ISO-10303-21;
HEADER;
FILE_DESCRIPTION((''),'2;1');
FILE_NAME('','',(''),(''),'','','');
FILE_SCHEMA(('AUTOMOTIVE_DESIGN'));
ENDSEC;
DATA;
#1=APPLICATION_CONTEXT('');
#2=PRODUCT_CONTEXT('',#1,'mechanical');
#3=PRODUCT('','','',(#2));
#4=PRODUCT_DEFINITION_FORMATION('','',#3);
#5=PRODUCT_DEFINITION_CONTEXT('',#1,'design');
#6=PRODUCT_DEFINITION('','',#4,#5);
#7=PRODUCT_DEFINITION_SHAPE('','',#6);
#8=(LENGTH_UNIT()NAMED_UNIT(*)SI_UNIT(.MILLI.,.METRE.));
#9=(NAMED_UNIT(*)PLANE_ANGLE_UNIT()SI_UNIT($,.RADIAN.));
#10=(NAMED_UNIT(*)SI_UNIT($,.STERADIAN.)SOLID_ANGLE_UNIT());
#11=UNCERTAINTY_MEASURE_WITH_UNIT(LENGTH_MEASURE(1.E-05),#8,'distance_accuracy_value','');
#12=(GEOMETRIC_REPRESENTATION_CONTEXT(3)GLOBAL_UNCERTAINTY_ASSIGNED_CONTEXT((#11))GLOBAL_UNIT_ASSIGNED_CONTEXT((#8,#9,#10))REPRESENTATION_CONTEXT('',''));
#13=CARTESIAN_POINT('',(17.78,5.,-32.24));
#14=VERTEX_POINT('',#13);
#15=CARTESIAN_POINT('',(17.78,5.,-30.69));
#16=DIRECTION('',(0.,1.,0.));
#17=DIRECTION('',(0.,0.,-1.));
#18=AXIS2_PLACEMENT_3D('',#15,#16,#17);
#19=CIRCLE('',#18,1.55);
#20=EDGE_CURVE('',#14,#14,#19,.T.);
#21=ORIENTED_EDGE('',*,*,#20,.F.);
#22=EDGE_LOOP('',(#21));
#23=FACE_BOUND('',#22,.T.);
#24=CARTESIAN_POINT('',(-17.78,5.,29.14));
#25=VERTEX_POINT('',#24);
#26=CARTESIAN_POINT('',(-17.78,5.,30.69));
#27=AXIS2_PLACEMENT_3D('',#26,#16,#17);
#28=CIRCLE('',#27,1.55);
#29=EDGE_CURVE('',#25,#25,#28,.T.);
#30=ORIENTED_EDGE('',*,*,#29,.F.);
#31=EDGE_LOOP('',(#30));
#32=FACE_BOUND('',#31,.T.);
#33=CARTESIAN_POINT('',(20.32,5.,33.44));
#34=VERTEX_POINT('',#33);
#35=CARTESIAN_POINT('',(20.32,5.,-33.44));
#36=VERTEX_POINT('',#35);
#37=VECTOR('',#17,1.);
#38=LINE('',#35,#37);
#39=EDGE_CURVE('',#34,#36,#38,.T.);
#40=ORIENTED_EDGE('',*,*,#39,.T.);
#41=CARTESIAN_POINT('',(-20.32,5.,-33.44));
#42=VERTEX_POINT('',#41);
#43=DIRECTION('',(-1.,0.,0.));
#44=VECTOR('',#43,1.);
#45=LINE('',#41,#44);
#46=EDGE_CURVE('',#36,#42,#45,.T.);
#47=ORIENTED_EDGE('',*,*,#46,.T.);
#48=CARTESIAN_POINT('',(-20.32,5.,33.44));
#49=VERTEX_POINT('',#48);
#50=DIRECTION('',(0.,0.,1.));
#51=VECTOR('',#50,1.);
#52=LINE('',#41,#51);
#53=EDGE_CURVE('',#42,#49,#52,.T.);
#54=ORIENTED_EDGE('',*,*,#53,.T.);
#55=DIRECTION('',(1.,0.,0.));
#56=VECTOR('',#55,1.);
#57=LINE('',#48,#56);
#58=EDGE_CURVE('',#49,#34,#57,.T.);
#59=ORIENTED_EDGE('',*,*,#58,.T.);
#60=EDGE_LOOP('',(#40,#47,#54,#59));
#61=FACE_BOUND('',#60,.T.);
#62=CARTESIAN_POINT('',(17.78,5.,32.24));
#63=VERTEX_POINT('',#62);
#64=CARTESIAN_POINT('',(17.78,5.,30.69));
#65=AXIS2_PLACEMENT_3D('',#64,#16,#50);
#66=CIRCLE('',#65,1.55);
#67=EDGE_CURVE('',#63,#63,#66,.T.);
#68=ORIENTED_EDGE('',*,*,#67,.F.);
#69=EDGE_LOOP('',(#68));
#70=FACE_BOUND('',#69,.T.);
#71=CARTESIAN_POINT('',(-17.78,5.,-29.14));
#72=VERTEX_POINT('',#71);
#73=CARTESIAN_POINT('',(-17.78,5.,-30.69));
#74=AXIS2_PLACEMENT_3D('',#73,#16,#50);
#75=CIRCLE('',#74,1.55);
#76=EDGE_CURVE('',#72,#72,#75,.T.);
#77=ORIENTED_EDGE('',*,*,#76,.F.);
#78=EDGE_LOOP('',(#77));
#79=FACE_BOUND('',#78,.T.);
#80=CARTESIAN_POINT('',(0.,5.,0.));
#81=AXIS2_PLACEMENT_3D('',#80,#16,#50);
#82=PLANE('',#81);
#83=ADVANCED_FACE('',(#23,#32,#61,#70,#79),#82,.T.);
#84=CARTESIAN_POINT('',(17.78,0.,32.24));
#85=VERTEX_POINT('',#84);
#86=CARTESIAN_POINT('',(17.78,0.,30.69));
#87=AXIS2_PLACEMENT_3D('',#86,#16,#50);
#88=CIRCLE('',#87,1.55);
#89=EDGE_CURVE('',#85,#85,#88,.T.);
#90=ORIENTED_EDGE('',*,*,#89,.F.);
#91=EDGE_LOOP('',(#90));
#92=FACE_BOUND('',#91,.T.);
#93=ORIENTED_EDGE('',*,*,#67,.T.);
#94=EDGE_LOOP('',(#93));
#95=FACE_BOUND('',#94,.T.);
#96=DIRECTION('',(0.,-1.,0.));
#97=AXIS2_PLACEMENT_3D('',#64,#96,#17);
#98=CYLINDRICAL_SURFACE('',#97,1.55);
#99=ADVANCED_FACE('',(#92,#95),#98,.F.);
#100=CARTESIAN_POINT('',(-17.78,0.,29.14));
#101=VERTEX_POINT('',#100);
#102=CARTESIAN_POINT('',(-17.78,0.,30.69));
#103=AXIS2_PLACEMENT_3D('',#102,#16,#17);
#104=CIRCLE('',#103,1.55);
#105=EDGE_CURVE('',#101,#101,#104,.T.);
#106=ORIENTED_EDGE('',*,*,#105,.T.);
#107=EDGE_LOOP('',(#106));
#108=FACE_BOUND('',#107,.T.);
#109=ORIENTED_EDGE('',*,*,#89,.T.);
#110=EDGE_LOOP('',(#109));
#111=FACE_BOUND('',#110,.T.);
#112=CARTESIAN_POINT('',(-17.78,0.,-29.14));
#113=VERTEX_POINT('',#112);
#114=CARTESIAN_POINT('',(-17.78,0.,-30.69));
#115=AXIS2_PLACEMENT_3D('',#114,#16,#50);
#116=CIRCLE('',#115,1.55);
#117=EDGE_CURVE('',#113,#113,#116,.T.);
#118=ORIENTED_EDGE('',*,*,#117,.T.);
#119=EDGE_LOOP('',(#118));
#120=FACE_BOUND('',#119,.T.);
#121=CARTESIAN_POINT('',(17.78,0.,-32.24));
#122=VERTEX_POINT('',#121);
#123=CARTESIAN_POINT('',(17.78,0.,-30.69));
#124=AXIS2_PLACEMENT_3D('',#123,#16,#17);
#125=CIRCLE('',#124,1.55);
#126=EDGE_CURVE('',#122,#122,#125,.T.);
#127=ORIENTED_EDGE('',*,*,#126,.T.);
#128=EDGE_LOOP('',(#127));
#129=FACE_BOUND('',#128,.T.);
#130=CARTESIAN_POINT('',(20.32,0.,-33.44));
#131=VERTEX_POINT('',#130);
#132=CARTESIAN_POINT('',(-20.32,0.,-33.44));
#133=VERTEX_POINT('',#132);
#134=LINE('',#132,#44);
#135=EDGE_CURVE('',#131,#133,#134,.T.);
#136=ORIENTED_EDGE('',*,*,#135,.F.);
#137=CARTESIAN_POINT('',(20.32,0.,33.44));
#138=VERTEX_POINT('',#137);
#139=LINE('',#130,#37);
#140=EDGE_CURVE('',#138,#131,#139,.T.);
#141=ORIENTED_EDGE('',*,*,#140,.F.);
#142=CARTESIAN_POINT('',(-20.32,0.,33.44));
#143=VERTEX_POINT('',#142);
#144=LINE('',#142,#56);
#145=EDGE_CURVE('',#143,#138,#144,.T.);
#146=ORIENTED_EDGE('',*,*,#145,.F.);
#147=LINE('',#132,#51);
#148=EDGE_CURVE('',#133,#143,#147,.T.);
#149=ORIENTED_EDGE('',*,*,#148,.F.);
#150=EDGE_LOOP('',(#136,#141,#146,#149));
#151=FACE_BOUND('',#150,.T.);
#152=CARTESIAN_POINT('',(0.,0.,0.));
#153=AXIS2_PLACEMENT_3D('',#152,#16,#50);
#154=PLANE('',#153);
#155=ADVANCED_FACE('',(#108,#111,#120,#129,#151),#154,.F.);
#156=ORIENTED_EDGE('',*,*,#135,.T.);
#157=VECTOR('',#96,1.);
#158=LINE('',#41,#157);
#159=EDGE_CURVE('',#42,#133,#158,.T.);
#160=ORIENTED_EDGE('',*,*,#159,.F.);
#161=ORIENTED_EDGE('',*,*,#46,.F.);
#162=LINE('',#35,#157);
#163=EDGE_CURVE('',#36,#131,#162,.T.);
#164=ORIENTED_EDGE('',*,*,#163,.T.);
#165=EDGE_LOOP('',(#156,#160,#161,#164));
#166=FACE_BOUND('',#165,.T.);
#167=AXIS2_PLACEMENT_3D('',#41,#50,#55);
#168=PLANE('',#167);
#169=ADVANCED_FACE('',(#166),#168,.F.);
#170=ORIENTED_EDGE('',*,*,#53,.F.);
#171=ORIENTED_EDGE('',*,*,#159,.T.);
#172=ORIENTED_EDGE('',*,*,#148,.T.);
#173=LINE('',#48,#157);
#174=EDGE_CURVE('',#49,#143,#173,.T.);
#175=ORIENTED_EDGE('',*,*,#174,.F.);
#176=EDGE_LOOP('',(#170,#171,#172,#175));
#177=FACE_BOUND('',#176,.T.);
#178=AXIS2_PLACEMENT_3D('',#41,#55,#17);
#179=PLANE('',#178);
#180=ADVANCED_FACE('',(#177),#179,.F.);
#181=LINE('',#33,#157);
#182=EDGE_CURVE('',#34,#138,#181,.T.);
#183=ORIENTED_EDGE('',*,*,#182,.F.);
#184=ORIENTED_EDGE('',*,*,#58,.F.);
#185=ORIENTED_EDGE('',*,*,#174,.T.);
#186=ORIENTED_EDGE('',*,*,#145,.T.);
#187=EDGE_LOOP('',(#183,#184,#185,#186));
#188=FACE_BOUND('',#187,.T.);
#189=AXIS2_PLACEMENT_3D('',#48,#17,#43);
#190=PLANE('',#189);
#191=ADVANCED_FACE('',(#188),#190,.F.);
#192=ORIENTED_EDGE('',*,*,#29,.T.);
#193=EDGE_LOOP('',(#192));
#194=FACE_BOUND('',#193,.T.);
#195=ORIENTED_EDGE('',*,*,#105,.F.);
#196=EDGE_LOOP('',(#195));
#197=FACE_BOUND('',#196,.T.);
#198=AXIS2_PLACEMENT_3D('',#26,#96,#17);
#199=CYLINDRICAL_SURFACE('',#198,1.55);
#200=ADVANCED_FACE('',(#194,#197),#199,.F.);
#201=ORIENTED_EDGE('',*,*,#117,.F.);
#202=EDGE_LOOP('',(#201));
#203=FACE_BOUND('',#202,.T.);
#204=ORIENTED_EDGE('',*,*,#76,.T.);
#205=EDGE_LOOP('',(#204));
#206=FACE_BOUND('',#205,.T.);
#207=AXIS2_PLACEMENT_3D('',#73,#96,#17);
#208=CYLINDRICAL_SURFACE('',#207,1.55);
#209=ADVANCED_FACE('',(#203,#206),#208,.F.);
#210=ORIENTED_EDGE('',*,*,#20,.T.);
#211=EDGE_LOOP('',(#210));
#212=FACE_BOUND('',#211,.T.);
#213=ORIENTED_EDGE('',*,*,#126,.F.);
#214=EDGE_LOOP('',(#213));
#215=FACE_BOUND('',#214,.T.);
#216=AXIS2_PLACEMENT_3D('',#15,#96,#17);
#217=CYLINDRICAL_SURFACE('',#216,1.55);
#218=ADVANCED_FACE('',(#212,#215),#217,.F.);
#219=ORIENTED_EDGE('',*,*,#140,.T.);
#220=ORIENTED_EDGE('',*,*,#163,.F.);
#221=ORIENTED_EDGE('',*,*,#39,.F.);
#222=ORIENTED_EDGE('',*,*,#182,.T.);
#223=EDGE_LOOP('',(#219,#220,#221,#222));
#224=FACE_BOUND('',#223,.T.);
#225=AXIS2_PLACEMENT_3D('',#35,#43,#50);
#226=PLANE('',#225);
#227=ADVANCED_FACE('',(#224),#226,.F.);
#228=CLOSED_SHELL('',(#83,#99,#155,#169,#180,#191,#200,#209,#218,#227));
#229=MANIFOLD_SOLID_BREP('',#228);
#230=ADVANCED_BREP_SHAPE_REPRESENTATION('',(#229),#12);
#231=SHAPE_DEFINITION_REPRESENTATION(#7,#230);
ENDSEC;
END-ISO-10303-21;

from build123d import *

# Parameters (mm, degrees)
SKETCH_1_W      = 40.64
SKETCH_1_H      = 66.88
SKETCH_1_R      = 1.55
EXTRUDE_1_DEPTH = 5


with BuildPart() as part:
    # 草图1 → 凸台-拉伸1 (new body)
    with BuildSketch(Plane(origin=(0, 0, 0), x_dir=(1, 0, 0), z_dir=(0, 1, 0))):
        Rectangle(SKETCH_1_W, SKETCH_1_H)
        with Locations(Location((-17.78, 30.69, 0), (0, 0, 270))):
            Circle(SKETCH_1_R, mode=Mode.SUBTRACT)
        with Locations(Location((17.78, 30.69, 0), (0, 0, 90))):
            Circle(SKETCH_1_R, mode=Mode.SUBTRACT)
        with Locations(Location((17.78, -30.69, 0), (0, 0, 270))):
            Circle(SKETCH_1_R, mode=Mode.SUBTRACT)
        with Locations(Location((-17.78, -30.69, 0), (0, 0, 90))):
            Circle(SKETCH_1_R, mode=Mode.SUBTRACT)
    extrude(amount=EXTRUDE_1_DEPTH)


solid = part.part
